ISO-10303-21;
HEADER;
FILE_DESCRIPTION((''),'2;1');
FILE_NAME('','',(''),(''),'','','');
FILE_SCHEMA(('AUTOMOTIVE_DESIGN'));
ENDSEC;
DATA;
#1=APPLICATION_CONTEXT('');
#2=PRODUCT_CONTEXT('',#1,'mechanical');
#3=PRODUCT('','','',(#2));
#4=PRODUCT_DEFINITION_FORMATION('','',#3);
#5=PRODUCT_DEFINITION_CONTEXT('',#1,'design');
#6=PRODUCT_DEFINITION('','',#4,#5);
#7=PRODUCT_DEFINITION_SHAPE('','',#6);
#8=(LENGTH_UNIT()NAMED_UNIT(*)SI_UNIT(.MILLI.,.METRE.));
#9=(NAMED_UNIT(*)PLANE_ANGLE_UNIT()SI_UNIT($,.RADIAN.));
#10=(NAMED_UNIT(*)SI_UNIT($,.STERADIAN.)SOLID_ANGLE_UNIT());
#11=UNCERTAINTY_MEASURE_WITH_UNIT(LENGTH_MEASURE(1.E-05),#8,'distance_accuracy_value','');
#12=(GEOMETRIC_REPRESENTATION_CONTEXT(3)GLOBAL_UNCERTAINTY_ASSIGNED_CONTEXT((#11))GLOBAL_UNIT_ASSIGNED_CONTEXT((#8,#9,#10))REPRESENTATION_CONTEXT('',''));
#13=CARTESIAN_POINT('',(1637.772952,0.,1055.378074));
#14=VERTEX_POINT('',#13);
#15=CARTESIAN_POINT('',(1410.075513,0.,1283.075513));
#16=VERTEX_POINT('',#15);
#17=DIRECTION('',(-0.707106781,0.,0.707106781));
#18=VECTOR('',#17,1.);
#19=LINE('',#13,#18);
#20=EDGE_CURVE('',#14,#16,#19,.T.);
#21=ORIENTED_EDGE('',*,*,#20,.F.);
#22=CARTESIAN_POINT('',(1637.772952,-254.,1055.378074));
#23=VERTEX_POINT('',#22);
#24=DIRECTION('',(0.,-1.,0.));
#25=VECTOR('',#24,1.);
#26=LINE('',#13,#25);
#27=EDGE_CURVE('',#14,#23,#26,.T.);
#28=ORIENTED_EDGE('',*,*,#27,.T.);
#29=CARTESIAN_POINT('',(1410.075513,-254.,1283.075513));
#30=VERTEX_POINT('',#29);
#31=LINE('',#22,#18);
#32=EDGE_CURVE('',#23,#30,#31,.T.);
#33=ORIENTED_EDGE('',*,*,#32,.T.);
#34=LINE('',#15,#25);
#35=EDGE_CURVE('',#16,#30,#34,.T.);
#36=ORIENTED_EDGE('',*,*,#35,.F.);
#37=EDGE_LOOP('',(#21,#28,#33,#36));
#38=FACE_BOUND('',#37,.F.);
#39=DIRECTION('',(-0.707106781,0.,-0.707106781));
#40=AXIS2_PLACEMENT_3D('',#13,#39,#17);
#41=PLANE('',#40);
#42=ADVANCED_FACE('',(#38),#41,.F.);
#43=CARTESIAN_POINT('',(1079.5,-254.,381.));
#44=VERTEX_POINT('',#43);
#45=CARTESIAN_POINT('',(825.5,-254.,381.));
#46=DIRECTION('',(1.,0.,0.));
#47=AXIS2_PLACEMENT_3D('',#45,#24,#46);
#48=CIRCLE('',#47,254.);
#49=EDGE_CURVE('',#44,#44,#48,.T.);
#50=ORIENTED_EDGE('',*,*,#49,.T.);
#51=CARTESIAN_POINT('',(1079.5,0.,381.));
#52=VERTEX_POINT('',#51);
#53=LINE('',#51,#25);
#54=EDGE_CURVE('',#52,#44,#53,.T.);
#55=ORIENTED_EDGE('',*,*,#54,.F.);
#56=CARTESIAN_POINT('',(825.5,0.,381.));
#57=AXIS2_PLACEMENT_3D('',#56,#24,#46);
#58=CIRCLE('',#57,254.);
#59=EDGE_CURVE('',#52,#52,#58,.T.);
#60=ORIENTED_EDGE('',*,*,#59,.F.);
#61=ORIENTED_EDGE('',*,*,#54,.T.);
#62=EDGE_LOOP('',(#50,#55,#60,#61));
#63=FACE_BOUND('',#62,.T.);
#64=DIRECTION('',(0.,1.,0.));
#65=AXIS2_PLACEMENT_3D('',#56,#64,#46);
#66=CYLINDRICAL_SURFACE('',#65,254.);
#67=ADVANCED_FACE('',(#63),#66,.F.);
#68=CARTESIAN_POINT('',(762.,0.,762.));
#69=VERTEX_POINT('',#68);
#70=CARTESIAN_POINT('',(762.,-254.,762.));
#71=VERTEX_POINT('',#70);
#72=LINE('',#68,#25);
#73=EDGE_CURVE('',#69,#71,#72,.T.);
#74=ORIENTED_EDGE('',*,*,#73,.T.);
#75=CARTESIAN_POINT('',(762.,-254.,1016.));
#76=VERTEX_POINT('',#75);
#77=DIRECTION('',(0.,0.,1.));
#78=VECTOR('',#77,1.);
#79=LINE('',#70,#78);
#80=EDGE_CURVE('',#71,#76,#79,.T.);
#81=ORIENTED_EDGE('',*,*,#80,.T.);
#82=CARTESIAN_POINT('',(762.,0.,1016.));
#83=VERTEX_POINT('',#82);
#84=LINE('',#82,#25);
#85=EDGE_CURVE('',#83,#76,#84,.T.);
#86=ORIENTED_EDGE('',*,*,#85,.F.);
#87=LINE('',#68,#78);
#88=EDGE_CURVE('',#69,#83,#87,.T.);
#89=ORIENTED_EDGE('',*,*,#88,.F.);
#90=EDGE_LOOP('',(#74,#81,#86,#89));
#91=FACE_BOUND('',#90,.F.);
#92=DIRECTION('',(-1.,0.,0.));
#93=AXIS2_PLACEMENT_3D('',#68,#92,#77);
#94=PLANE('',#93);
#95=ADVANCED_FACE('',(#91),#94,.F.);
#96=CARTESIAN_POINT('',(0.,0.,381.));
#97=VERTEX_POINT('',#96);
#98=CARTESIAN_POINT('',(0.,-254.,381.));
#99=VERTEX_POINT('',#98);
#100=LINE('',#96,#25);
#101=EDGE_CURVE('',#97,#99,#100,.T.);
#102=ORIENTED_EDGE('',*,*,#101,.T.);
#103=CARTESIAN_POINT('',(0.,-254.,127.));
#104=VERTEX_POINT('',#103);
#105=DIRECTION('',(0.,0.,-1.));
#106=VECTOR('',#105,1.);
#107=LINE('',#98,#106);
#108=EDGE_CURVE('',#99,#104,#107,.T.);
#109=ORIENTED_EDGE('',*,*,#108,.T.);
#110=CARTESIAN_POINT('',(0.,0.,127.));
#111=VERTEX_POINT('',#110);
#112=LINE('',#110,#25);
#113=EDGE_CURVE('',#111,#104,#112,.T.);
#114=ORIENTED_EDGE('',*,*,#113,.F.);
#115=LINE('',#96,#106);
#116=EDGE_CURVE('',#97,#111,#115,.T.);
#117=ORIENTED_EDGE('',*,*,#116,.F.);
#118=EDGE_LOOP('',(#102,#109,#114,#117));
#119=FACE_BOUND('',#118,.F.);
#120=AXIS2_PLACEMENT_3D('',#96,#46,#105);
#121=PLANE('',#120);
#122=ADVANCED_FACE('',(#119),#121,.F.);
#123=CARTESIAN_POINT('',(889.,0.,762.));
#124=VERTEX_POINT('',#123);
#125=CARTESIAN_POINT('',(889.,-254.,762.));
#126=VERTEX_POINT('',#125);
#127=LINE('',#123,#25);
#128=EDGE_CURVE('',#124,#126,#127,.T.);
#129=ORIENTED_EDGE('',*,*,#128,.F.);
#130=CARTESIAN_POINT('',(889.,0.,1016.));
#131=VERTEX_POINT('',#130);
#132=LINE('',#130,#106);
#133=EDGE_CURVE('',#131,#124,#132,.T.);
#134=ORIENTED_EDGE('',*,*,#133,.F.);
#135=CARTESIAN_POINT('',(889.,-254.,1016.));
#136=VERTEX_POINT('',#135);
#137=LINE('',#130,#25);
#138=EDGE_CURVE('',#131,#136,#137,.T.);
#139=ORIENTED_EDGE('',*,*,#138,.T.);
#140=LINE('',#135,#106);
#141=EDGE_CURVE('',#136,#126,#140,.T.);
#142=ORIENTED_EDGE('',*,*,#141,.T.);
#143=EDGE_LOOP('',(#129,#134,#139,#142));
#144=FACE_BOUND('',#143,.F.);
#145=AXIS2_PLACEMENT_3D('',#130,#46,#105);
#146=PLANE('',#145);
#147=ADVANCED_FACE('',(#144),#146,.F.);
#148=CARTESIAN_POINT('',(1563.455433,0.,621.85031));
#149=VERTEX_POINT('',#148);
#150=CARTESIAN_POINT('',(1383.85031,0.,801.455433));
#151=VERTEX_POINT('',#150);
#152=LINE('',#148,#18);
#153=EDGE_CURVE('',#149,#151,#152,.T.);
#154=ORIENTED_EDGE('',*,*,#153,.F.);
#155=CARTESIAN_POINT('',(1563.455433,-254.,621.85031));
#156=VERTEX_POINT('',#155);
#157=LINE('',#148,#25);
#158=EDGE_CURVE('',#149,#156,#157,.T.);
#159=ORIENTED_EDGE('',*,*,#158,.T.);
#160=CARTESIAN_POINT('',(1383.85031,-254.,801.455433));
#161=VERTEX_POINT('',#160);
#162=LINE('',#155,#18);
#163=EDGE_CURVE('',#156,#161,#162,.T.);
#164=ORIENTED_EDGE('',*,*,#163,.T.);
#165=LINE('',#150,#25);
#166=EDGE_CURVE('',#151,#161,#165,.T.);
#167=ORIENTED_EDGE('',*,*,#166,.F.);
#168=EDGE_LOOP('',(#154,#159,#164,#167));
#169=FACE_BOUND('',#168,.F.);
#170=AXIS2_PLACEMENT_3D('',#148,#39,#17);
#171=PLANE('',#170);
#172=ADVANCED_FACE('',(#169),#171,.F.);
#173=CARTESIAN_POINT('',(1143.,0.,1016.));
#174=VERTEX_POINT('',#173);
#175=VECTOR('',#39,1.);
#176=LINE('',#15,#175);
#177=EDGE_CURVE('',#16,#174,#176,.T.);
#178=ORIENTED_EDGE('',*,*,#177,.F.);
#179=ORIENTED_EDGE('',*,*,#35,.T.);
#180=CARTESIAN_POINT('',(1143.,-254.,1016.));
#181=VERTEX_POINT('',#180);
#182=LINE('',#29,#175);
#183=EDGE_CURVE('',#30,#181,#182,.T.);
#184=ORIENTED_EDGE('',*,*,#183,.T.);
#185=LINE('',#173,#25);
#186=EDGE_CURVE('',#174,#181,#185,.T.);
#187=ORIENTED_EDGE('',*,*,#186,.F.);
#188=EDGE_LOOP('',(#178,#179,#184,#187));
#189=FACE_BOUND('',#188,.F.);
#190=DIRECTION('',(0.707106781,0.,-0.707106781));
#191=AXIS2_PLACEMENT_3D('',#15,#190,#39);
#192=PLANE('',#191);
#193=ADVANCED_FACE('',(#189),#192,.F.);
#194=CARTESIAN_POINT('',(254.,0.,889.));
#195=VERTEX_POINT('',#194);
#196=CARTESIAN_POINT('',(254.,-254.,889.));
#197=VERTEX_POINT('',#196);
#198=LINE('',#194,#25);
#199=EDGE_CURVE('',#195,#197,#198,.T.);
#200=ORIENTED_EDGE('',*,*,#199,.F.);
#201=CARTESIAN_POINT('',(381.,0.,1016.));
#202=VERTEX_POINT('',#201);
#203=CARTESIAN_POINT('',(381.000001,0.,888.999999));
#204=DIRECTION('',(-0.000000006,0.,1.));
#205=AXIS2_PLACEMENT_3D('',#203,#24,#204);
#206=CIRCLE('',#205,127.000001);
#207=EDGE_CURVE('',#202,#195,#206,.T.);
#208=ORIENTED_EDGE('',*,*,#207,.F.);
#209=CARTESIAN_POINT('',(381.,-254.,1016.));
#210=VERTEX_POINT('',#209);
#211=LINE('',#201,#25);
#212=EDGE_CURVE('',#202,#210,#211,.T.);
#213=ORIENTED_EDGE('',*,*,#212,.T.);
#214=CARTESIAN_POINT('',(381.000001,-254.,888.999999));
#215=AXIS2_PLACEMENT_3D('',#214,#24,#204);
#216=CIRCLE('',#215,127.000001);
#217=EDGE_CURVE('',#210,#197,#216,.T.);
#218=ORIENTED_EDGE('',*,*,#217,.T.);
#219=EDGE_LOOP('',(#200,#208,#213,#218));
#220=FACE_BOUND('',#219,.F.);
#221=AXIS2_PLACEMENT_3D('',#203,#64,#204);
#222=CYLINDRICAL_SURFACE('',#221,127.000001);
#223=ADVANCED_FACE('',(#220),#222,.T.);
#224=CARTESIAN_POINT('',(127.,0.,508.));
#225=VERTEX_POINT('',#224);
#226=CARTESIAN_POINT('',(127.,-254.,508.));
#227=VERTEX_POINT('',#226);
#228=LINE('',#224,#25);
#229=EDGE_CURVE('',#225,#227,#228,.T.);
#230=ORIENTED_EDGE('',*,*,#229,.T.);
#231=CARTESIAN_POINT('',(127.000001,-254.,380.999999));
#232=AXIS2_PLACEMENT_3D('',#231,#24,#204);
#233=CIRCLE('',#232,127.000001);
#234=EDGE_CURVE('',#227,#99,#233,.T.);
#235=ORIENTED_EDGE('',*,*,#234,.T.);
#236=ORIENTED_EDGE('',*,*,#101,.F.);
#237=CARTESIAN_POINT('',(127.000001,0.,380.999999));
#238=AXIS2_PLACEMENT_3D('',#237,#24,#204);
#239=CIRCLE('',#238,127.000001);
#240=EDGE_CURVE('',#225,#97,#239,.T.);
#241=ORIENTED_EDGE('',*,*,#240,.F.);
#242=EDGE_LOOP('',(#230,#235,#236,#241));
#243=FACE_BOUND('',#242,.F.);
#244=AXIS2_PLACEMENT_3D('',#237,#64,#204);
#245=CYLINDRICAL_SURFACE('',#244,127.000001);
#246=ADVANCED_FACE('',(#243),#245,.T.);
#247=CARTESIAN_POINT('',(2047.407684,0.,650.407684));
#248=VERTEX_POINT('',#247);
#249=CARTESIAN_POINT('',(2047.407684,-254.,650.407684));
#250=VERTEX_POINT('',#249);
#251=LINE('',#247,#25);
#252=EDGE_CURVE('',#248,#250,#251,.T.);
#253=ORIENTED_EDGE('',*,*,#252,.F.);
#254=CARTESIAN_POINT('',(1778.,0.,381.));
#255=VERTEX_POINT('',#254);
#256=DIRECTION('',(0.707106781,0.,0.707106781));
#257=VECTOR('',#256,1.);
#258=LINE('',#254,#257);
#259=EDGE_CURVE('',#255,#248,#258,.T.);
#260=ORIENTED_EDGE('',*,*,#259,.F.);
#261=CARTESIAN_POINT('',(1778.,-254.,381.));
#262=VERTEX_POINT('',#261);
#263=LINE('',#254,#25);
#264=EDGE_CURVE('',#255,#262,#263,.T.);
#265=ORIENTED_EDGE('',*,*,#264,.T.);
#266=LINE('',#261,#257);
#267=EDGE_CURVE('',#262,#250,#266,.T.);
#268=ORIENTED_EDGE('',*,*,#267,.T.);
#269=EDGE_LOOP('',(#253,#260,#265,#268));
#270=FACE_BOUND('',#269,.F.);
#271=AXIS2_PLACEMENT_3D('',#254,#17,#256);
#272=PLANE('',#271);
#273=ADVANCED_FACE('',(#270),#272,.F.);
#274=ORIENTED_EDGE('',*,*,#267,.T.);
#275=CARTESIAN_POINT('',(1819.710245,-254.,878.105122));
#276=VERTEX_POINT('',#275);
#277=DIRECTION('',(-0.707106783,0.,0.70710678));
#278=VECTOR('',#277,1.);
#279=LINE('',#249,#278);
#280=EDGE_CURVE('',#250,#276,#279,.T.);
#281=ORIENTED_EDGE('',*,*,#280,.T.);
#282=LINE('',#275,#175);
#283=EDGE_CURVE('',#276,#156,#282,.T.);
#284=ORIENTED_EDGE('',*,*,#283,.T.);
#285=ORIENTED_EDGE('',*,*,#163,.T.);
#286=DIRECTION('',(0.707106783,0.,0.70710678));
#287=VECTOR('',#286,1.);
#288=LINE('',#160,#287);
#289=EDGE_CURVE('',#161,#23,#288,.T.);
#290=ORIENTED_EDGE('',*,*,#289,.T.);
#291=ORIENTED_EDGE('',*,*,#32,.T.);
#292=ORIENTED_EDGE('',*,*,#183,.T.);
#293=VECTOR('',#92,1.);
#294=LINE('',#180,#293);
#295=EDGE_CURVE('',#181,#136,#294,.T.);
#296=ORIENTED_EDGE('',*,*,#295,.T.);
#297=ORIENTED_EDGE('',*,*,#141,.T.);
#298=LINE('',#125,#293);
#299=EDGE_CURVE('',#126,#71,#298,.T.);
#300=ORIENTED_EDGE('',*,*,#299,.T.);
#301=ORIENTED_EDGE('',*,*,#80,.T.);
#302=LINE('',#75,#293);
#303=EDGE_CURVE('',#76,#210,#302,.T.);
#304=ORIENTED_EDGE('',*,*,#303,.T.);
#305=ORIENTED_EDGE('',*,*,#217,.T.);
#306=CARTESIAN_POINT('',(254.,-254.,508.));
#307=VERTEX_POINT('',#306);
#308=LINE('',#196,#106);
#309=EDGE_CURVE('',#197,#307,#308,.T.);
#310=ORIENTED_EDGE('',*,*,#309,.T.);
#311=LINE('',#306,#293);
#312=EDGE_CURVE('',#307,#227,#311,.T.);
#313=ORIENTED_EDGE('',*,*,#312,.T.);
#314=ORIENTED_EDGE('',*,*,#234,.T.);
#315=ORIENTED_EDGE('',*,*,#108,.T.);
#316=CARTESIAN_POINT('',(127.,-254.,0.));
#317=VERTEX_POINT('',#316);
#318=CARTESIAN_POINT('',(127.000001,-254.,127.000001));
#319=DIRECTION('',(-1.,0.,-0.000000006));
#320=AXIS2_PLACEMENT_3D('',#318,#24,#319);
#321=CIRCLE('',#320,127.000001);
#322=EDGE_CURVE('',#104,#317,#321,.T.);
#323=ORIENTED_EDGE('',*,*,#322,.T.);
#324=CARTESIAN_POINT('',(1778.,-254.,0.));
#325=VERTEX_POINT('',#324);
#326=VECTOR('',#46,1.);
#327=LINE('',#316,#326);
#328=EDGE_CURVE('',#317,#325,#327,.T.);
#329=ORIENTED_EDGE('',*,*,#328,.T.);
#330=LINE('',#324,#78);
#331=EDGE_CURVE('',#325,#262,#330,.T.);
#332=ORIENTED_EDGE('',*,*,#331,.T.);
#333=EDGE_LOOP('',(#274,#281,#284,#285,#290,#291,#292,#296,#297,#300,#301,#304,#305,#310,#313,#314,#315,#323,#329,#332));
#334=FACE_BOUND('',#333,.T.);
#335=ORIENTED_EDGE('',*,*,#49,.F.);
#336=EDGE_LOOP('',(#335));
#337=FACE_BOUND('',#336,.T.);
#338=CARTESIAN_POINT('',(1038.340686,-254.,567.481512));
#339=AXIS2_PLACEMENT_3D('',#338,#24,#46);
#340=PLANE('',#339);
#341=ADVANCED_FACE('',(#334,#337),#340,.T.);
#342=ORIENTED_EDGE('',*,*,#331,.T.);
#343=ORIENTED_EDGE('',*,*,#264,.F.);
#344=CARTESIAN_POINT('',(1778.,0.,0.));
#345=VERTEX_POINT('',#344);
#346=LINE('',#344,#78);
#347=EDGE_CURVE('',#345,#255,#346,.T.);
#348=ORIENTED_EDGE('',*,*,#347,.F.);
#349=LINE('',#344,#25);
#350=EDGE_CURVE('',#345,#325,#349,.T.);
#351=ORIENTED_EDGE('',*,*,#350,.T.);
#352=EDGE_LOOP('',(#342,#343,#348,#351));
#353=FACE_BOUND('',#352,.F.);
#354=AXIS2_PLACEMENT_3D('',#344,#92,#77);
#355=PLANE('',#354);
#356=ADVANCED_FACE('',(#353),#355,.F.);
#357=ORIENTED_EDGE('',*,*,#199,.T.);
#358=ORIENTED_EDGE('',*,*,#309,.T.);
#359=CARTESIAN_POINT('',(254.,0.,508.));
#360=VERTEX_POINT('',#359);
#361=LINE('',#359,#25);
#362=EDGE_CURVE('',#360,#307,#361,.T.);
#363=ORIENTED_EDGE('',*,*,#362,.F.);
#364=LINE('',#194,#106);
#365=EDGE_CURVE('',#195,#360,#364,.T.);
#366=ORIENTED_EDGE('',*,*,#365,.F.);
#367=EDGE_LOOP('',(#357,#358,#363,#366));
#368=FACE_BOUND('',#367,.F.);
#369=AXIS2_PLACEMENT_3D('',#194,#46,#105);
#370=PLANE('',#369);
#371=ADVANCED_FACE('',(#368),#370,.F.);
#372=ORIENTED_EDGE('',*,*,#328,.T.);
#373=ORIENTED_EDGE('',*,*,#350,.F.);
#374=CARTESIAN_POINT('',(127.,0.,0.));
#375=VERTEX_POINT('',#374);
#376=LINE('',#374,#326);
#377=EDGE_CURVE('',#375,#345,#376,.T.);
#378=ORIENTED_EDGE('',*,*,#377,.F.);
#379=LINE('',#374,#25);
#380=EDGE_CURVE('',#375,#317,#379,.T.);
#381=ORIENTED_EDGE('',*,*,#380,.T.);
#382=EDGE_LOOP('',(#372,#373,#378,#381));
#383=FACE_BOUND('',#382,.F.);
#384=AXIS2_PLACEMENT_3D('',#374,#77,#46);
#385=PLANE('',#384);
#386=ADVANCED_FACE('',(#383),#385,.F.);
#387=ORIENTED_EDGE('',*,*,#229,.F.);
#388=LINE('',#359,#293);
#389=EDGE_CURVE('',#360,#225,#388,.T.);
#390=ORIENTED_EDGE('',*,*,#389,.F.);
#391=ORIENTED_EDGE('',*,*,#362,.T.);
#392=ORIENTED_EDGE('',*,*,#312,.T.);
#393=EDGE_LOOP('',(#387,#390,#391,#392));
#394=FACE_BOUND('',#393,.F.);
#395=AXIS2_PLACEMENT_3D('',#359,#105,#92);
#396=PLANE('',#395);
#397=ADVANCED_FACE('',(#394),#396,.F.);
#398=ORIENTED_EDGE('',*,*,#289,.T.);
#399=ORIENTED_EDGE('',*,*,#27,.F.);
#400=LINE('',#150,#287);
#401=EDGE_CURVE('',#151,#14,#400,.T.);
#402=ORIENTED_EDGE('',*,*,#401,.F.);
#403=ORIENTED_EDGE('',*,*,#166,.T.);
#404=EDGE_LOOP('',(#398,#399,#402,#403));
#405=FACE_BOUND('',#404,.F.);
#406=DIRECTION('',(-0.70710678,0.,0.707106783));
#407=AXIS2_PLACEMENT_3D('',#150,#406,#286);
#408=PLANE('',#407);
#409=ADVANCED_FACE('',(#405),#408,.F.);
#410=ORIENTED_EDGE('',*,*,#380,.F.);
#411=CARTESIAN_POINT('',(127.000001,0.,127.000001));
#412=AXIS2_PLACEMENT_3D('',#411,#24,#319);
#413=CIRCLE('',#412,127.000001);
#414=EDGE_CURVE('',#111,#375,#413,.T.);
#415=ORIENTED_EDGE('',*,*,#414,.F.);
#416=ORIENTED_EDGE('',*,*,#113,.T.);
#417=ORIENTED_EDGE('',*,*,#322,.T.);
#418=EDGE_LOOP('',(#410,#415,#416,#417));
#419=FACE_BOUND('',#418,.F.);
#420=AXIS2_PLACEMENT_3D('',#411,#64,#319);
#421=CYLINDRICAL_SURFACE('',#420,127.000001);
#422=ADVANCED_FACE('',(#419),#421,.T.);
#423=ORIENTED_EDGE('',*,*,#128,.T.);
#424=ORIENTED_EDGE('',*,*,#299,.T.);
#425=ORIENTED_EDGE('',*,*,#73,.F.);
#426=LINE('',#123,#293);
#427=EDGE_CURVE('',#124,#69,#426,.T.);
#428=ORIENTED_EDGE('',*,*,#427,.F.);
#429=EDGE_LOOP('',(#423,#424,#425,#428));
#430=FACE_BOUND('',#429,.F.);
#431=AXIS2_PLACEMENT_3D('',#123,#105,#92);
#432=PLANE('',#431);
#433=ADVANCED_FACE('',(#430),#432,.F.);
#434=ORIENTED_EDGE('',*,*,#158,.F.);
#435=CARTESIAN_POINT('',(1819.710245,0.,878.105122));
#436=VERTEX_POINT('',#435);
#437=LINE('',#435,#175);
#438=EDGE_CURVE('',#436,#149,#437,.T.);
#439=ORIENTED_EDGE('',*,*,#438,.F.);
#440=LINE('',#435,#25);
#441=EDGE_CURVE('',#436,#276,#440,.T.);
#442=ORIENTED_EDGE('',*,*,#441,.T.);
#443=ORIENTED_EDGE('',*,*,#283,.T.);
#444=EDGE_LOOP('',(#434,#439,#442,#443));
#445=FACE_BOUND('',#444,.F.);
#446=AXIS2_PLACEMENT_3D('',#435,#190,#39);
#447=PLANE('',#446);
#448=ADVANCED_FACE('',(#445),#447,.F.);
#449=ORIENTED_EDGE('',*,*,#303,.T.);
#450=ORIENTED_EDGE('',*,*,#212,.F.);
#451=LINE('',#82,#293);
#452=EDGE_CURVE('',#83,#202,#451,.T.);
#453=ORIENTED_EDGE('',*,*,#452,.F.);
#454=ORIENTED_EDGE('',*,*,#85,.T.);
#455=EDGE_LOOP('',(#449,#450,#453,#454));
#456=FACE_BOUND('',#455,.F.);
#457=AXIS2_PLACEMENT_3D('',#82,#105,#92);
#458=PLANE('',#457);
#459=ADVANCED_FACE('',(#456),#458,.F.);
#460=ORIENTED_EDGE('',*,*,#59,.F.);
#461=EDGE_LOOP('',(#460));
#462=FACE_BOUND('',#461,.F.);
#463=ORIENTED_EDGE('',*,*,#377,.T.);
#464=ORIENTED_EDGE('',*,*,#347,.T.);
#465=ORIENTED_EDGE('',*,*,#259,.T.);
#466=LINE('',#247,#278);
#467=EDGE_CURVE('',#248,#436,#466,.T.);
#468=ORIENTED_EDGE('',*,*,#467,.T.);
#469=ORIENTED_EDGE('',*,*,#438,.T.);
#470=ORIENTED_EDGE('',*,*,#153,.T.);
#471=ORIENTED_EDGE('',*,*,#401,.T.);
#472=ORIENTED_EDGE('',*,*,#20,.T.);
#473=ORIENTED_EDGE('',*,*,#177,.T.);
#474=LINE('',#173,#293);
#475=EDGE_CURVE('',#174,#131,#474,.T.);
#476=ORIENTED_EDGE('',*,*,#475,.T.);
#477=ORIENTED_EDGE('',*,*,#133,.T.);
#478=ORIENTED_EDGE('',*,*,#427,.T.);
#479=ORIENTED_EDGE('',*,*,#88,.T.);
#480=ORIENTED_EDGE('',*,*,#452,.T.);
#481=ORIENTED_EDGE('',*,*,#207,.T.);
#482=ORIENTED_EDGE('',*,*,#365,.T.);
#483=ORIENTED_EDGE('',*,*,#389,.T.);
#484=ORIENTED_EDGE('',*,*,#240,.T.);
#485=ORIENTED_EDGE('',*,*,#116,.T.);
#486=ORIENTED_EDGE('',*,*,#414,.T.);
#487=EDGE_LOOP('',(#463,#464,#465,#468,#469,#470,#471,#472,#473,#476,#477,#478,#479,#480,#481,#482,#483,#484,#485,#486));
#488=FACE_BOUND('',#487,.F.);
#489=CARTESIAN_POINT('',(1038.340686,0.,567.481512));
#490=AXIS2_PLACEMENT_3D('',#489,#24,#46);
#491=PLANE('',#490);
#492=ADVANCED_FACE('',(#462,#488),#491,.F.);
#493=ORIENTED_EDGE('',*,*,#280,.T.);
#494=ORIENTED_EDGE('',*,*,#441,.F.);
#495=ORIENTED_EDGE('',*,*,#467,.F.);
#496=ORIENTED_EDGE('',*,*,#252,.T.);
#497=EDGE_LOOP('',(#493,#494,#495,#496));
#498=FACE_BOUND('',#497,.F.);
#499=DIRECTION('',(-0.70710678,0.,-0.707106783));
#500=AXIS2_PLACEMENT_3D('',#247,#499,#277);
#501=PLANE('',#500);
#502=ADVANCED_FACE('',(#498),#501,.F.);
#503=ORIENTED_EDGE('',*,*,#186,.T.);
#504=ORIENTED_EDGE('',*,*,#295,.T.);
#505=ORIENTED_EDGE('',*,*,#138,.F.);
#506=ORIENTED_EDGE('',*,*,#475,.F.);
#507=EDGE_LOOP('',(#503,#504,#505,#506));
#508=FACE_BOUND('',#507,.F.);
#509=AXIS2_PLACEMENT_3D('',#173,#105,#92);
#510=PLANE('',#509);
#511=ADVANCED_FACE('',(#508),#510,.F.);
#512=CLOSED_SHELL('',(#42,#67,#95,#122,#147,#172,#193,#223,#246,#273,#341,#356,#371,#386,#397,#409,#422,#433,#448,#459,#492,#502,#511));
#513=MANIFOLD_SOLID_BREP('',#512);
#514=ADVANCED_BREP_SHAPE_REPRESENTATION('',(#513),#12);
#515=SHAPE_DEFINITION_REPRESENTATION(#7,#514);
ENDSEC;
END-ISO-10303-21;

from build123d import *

# Parameters (mm, degrees)
F0_R     = 254
F1_DEPTH = 254


with BuildPart() as f1:
    # F0 (on Front) → F1 (new body)
    with BuildSketch(Plane.XZ):
        with BuildLine():
            ThreePointArc((0, 127), (37.197439, 37.197439), (127, 0))
            Line((127, 0), (1778, 0))
            Line((1778, 0), (1778, 381))
            Line((1778, 381), (2047.407684, 650.407684))
            Line((2047.407684, 650.407684), (1819.710245, 878.105122))
            Line((1819.710245, 878.105122), (1563.455433, 621.85031))
            Line((1563.455433, 621.85031), (1383.85031, 801.455433))
            Line((1383.85031, 801.455433), (1637.772952, 1055.378074))
            Line((1637.772952, 1055.378074), (1410.075513, 1283.075513))
            Line((1410.075513, 1283.075513), (1143, 1016))
            Line((1143, 1016), (889, 1016))
            Line((889, 1016), (889, 762))
            Line((889, 762), (762, 762))
            Line((762, 762), (762, 1016))
            Line((762, 1016), (381, 1016))
            ThreePointArc((381, 1016), (291.197439, 978.802561), (254, 889))
            Line((254, 889), (254, 508))
            Line((254, 508), (127, 508))
            ThreePointArc((127, 508), (37.197439, 470.802561), (0, 381))
            Line((0, 381), (0, 127))
        make_face()
        with Locations((825.5, 381)):
            Circle(F0_R, mode=Mode.SUBTRACT)
    extrude(amount=F1_DEPTH)


solid = f1.part
